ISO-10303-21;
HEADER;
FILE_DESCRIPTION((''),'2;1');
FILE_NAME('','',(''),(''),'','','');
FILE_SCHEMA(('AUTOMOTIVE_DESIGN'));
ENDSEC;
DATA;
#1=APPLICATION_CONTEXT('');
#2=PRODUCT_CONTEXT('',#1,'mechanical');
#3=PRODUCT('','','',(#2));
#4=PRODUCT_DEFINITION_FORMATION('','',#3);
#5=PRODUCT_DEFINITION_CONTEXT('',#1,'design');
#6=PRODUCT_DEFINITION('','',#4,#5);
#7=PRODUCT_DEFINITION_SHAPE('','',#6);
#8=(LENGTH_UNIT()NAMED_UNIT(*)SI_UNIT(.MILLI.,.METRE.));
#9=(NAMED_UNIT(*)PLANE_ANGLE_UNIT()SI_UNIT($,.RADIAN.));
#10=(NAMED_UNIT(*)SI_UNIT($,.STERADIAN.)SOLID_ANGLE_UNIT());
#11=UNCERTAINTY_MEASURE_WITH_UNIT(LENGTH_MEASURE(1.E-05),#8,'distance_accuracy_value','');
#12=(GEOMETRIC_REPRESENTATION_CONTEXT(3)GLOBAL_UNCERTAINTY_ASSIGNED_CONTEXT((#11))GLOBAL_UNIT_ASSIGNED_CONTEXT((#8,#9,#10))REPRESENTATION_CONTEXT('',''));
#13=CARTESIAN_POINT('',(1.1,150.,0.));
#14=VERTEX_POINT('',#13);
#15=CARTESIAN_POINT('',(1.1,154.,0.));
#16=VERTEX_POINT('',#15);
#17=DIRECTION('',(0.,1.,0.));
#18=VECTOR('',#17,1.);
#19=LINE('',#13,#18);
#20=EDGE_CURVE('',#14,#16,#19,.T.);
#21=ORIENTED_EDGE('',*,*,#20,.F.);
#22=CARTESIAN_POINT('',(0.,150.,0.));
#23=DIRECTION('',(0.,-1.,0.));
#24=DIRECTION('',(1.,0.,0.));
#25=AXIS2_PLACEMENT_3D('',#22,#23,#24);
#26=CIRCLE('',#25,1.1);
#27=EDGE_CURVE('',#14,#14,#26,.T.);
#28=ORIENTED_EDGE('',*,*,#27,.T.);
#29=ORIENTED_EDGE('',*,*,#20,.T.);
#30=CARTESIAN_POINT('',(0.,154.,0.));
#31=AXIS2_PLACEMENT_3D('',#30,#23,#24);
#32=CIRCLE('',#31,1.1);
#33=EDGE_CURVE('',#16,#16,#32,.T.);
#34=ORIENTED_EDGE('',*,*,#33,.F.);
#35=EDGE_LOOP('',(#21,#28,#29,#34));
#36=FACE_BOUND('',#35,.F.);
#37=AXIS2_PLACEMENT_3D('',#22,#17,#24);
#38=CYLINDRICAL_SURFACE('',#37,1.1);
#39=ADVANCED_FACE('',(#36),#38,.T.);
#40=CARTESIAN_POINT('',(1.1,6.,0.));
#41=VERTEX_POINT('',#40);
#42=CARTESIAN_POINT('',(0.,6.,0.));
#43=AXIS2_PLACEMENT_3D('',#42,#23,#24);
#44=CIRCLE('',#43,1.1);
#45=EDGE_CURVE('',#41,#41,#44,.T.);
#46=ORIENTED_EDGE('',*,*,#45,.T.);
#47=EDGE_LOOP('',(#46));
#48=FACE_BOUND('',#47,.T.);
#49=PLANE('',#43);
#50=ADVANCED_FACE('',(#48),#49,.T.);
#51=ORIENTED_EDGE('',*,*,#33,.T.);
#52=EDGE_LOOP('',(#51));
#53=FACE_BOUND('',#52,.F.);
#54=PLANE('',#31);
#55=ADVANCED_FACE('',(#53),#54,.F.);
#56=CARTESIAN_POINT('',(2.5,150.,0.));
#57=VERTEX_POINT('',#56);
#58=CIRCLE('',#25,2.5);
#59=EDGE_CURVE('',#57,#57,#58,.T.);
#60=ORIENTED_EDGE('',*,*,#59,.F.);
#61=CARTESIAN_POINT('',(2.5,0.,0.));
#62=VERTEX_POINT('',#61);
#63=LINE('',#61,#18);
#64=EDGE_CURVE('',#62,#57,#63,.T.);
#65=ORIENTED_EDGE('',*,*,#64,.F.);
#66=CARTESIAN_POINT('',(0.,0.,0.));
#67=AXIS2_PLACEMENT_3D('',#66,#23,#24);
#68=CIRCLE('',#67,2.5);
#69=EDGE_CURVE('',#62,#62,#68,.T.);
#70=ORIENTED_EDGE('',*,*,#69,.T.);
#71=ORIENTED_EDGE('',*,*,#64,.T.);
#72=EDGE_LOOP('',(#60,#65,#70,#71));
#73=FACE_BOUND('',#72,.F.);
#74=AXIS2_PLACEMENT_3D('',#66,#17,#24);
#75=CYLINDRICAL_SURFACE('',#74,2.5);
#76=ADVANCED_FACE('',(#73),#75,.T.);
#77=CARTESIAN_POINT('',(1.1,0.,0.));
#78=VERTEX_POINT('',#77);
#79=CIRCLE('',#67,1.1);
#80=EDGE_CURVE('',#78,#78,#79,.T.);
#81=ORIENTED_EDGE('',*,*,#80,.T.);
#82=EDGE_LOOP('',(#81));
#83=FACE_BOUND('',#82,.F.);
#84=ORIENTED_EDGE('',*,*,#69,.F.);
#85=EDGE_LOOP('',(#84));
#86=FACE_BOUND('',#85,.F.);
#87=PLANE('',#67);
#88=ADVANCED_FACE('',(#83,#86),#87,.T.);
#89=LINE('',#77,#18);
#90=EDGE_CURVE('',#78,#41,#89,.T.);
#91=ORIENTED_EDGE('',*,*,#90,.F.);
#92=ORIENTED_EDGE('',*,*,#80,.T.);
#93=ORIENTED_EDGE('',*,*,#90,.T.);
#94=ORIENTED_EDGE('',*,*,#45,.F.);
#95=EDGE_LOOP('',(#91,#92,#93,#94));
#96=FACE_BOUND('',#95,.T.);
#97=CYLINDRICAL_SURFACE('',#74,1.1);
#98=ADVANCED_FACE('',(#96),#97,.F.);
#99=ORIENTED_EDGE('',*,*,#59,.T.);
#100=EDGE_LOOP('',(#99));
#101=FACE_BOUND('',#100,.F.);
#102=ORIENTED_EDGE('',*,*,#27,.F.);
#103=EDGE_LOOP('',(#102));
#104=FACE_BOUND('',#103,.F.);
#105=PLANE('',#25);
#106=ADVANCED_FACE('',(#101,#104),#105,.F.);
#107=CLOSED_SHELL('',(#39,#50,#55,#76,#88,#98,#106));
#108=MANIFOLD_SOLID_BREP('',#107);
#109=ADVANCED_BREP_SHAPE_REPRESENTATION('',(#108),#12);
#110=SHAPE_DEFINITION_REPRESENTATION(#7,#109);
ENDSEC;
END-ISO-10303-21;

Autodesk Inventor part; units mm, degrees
ref_plane "YZ Plane" through (0, 0, 0) normal (1, 0, 0) x (0, 1, 0)
ref_plane "XZ Plane" through (0, 0, 0) normal (0, 1, 0) x (-1, 0, 0)
ref_plane "XY Plane" through (0, 0, 0) normal (0, 0, 1) x (1, 0, 0)
sketch "スケッチ2" plane through (0, 0, 0) normal (0, 0, 1) x (1, 0, 0)
  line L0 (0, 0) -> (2.5, 0)
  line L1 (2.5, 0) -> (2.5, 150)
  line L2 (2.5, 150) -> (0, 150)
  line L3 (0, 150) -> (0, 0)
  line L4 (1.1, 0) -> (1.1, 6)
  line L5 (1.1, 6) -> (0, 6)
  line L6 (1.1, 150) -> (1.1, 154)
  line L7 (1.1, 154) -> (0, 154)
  line L8 (0, 154) -> (0, 150)
  dimension "d4" = 2.5
  dimension "d5" = 150
  dimension "d6" = 1.1
  dimension "d7" = 6
  dimension "d8" = 1.1
  dimension "d9" = 4
revolve "回転1" add sketch "スケッチ2" angle 360 about axis through (0, 150, 0) along (0, -1, 0) contours L4 L5 L3 L2 L1 L0 | L8 L7 L6 L2
properties part number "BaseSpacer_M3"
